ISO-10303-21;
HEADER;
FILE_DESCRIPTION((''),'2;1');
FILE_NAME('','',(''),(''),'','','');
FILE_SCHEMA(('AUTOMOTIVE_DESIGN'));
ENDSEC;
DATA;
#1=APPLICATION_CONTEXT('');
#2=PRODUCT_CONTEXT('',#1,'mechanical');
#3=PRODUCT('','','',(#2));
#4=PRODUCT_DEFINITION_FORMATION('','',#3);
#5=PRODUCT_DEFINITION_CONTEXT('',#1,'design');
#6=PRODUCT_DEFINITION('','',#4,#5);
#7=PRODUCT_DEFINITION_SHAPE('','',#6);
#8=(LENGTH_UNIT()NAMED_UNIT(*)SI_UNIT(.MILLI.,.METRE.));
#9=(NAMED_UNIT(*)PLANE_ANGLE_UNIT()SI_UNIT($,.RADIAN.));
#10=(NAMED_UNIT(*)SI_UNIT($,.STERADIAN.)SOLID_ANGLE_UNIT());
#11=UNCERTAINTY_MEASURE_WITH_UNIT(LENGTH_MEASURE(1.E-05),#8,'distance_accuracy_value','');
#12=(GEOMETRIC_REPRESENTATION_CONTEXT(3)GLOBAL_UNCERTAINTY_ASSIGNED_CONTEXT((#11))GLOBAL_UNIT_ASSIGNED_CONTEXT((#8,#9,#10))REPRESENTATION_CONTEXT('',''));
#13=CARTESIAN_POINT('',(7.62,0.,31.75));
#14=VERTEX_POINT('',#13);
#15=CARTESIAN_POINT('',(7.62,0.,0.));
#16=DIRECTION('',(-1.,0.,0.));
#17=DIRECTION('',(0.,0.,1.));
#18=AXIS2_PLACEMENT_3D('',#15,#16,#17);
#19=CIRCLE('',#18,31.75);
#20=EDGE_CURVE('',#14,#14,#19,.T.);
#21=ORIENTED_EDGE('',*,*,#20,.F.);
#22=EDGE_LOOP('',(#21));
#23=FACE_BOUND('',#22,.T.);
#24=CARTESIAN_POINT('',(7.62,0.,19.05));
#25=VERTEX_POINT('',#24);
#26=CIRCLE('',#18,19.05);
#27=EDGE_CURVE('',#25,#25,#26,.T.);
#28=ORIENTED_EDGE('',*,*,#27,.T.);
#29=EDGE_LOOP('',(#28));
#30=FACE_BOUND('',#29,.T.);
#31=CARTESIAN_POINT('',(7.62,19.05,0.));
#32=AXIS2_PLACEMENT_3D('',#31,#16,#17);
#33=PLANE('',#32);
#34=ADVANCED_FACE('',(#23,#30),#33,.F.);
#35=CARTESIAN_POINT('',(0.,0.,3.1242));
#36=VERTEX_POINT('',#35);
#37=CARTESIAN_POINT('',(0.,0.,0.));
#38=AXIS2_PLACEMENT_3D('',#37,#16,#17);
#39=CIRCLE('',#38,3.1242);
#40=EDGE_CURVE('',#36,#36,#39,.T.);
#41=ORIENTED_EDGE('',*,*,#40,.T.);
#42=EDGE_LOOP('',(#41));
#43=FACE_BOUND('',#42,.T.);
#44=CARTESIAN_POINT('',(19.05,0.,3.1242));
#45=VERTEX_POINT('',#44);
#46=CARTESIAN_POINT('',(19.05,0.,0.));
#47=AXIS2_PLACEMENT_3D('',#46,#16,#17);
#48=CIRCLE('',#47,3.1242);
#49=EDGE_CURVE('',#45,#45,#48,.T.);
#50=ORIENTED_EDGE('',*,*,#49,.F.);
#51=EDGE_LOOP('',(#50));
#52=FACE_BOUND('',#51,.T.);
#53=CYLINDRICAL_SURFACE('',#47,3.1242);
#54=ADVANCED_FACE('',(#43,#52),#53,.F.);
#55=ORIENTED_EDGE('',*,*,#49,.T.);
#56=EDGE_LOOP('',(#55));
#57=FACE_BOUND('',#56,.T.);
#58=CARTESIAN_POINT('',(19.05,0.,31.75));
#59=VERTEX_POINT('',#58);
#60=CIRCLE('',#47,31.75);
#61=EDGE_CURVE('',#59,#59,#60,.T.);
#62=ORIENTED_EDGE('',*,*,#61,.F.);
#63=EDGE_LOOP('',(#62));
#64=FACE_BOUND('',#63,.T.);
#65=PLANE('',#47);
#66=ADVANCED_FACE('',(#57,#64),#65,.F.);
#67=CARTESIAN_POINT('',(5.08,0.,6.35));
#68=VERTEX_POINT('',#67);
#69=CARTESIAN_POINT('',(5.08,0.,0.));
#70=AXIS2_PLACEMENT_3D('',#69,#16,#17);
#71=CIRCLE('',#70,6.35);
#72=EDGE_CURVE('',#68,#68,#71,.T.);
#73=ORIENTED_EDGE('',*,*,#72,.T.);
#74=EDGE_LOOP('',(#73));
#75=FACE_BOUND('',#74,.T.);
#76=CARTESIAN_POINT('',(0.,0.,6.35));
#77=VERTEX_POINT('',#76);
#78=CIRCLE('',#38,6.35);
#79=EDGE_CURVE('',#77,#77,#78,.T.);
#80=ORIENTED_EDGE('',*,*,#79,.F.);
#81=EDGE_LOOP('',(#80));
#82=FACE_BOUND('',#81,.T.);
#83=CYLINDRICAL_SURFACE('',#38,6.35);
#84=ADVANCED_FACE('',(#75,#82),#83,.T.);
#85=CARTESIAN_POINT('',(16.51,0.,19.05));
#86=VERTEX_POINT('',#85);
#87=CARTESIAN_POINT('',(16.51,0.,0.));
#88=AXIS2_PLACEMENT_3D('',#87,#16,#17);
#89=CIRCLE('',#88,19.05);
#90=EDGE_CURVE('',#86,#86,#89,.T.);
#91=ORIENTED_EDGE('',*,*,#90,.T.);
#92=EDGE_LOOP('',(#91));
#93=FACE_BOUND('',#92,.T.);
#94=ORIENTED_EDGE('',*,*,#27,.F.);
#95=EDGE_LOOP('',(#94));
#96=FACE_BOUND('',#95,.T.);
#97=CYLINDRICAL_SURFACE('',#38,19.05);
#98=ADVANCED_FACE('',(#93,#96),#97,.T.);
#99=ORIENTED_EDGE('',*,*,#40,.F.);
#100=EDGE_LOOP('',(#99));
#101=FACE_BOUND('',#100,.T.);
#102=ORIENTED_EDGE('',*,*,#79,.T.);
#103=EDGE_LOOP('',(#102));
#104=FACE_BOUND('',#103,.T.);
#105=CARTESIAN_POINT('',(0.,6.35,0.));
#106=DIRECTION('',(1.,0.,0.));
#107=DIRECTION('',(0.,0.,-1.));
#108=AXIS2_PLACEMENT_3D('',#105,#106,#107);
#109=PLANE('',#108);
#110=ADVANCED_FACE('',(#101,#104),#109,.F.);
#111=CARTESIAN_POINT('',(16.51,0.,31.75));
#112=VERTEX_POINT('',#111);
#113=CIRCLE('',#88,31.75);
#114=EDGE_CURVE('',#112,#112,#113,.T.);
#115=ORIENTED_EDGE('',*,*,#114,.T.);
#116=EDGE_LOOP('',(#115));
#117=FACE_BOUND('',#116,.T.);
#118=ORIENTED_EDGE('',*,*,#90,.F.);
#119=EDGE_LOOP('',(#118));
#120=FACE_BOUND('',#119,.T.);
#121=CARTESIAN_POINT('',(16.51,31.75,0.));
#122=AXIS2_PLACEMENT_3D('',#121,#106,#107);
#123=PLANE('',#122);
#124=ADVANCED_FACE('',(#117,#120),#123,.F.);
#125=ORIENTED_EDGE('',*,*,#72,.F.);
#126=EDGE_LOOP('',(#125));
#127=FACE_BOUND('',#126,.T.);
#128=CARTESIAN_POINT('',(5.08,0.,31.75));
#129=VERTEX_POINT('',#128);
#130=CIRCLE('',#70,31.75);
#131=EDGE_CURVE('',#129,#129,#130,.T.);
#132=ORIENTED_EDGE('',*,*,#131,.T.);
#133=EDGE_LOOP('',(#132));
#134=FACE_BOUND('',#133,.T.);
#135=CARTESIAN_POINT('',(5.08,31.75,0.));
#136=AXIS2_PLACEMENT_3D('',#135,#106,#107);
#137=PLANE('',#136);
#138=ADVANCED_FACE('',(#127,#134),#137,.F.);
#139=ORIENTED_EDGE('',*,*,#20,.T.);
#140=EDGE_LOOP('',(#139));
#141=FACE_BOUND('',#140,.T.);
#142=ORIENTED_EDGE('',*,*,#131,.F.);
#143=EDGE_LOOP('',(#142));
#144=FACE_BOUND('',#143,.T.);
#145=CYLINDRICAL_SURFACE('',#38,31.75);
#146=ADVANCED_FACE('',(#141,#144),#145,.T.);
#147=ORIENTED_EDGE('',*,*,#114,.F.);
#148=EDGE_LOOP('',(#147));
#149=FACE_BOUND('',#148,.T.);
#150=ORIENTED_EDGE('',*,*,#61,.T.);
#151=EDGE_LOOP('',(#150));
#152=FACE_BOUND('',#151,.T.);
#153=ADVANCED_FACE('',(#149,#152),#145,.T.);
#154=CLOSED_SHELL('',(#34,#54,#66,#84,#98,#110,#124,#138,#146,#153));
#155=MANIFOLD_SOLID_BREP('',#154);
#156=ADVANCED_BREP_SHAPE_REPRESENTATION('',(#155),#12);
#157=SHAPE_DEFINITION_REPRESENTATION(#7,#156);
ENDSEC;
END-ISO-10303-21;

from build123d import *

# Parameters (mm, degrees)
SKETCH2_R          = 3.1242
CUT_EXTRUDE1_DEPTH = 20.05


with BuildPart() as part:
    # Sketch1 → Revolve1 (revolve)
    with BuildSketch(Plane.XY):
        Polygon((0, 0), (19.05, 0), (19.05, 31.75), (16.51, 31.75), (16.51, 19.05), (7.62, 19.05), (7.62, 31.75), (5.08, 31.75), (5.08, 6.35), (0, 6.35), align=None)
    revolve(axis=Axis((0, 0, 0), (1, 0, 0)))

    # Sketch2 → Cut-Extrude1 (cut, through all)
    with BuildSketch(Plane.ZY):
        Circle(SKETCH2_R)
    extrude(amount=-CUT_EXTRUDE1_DEPTH, mode=Mode.SUBTRACT)


solid = part.part
